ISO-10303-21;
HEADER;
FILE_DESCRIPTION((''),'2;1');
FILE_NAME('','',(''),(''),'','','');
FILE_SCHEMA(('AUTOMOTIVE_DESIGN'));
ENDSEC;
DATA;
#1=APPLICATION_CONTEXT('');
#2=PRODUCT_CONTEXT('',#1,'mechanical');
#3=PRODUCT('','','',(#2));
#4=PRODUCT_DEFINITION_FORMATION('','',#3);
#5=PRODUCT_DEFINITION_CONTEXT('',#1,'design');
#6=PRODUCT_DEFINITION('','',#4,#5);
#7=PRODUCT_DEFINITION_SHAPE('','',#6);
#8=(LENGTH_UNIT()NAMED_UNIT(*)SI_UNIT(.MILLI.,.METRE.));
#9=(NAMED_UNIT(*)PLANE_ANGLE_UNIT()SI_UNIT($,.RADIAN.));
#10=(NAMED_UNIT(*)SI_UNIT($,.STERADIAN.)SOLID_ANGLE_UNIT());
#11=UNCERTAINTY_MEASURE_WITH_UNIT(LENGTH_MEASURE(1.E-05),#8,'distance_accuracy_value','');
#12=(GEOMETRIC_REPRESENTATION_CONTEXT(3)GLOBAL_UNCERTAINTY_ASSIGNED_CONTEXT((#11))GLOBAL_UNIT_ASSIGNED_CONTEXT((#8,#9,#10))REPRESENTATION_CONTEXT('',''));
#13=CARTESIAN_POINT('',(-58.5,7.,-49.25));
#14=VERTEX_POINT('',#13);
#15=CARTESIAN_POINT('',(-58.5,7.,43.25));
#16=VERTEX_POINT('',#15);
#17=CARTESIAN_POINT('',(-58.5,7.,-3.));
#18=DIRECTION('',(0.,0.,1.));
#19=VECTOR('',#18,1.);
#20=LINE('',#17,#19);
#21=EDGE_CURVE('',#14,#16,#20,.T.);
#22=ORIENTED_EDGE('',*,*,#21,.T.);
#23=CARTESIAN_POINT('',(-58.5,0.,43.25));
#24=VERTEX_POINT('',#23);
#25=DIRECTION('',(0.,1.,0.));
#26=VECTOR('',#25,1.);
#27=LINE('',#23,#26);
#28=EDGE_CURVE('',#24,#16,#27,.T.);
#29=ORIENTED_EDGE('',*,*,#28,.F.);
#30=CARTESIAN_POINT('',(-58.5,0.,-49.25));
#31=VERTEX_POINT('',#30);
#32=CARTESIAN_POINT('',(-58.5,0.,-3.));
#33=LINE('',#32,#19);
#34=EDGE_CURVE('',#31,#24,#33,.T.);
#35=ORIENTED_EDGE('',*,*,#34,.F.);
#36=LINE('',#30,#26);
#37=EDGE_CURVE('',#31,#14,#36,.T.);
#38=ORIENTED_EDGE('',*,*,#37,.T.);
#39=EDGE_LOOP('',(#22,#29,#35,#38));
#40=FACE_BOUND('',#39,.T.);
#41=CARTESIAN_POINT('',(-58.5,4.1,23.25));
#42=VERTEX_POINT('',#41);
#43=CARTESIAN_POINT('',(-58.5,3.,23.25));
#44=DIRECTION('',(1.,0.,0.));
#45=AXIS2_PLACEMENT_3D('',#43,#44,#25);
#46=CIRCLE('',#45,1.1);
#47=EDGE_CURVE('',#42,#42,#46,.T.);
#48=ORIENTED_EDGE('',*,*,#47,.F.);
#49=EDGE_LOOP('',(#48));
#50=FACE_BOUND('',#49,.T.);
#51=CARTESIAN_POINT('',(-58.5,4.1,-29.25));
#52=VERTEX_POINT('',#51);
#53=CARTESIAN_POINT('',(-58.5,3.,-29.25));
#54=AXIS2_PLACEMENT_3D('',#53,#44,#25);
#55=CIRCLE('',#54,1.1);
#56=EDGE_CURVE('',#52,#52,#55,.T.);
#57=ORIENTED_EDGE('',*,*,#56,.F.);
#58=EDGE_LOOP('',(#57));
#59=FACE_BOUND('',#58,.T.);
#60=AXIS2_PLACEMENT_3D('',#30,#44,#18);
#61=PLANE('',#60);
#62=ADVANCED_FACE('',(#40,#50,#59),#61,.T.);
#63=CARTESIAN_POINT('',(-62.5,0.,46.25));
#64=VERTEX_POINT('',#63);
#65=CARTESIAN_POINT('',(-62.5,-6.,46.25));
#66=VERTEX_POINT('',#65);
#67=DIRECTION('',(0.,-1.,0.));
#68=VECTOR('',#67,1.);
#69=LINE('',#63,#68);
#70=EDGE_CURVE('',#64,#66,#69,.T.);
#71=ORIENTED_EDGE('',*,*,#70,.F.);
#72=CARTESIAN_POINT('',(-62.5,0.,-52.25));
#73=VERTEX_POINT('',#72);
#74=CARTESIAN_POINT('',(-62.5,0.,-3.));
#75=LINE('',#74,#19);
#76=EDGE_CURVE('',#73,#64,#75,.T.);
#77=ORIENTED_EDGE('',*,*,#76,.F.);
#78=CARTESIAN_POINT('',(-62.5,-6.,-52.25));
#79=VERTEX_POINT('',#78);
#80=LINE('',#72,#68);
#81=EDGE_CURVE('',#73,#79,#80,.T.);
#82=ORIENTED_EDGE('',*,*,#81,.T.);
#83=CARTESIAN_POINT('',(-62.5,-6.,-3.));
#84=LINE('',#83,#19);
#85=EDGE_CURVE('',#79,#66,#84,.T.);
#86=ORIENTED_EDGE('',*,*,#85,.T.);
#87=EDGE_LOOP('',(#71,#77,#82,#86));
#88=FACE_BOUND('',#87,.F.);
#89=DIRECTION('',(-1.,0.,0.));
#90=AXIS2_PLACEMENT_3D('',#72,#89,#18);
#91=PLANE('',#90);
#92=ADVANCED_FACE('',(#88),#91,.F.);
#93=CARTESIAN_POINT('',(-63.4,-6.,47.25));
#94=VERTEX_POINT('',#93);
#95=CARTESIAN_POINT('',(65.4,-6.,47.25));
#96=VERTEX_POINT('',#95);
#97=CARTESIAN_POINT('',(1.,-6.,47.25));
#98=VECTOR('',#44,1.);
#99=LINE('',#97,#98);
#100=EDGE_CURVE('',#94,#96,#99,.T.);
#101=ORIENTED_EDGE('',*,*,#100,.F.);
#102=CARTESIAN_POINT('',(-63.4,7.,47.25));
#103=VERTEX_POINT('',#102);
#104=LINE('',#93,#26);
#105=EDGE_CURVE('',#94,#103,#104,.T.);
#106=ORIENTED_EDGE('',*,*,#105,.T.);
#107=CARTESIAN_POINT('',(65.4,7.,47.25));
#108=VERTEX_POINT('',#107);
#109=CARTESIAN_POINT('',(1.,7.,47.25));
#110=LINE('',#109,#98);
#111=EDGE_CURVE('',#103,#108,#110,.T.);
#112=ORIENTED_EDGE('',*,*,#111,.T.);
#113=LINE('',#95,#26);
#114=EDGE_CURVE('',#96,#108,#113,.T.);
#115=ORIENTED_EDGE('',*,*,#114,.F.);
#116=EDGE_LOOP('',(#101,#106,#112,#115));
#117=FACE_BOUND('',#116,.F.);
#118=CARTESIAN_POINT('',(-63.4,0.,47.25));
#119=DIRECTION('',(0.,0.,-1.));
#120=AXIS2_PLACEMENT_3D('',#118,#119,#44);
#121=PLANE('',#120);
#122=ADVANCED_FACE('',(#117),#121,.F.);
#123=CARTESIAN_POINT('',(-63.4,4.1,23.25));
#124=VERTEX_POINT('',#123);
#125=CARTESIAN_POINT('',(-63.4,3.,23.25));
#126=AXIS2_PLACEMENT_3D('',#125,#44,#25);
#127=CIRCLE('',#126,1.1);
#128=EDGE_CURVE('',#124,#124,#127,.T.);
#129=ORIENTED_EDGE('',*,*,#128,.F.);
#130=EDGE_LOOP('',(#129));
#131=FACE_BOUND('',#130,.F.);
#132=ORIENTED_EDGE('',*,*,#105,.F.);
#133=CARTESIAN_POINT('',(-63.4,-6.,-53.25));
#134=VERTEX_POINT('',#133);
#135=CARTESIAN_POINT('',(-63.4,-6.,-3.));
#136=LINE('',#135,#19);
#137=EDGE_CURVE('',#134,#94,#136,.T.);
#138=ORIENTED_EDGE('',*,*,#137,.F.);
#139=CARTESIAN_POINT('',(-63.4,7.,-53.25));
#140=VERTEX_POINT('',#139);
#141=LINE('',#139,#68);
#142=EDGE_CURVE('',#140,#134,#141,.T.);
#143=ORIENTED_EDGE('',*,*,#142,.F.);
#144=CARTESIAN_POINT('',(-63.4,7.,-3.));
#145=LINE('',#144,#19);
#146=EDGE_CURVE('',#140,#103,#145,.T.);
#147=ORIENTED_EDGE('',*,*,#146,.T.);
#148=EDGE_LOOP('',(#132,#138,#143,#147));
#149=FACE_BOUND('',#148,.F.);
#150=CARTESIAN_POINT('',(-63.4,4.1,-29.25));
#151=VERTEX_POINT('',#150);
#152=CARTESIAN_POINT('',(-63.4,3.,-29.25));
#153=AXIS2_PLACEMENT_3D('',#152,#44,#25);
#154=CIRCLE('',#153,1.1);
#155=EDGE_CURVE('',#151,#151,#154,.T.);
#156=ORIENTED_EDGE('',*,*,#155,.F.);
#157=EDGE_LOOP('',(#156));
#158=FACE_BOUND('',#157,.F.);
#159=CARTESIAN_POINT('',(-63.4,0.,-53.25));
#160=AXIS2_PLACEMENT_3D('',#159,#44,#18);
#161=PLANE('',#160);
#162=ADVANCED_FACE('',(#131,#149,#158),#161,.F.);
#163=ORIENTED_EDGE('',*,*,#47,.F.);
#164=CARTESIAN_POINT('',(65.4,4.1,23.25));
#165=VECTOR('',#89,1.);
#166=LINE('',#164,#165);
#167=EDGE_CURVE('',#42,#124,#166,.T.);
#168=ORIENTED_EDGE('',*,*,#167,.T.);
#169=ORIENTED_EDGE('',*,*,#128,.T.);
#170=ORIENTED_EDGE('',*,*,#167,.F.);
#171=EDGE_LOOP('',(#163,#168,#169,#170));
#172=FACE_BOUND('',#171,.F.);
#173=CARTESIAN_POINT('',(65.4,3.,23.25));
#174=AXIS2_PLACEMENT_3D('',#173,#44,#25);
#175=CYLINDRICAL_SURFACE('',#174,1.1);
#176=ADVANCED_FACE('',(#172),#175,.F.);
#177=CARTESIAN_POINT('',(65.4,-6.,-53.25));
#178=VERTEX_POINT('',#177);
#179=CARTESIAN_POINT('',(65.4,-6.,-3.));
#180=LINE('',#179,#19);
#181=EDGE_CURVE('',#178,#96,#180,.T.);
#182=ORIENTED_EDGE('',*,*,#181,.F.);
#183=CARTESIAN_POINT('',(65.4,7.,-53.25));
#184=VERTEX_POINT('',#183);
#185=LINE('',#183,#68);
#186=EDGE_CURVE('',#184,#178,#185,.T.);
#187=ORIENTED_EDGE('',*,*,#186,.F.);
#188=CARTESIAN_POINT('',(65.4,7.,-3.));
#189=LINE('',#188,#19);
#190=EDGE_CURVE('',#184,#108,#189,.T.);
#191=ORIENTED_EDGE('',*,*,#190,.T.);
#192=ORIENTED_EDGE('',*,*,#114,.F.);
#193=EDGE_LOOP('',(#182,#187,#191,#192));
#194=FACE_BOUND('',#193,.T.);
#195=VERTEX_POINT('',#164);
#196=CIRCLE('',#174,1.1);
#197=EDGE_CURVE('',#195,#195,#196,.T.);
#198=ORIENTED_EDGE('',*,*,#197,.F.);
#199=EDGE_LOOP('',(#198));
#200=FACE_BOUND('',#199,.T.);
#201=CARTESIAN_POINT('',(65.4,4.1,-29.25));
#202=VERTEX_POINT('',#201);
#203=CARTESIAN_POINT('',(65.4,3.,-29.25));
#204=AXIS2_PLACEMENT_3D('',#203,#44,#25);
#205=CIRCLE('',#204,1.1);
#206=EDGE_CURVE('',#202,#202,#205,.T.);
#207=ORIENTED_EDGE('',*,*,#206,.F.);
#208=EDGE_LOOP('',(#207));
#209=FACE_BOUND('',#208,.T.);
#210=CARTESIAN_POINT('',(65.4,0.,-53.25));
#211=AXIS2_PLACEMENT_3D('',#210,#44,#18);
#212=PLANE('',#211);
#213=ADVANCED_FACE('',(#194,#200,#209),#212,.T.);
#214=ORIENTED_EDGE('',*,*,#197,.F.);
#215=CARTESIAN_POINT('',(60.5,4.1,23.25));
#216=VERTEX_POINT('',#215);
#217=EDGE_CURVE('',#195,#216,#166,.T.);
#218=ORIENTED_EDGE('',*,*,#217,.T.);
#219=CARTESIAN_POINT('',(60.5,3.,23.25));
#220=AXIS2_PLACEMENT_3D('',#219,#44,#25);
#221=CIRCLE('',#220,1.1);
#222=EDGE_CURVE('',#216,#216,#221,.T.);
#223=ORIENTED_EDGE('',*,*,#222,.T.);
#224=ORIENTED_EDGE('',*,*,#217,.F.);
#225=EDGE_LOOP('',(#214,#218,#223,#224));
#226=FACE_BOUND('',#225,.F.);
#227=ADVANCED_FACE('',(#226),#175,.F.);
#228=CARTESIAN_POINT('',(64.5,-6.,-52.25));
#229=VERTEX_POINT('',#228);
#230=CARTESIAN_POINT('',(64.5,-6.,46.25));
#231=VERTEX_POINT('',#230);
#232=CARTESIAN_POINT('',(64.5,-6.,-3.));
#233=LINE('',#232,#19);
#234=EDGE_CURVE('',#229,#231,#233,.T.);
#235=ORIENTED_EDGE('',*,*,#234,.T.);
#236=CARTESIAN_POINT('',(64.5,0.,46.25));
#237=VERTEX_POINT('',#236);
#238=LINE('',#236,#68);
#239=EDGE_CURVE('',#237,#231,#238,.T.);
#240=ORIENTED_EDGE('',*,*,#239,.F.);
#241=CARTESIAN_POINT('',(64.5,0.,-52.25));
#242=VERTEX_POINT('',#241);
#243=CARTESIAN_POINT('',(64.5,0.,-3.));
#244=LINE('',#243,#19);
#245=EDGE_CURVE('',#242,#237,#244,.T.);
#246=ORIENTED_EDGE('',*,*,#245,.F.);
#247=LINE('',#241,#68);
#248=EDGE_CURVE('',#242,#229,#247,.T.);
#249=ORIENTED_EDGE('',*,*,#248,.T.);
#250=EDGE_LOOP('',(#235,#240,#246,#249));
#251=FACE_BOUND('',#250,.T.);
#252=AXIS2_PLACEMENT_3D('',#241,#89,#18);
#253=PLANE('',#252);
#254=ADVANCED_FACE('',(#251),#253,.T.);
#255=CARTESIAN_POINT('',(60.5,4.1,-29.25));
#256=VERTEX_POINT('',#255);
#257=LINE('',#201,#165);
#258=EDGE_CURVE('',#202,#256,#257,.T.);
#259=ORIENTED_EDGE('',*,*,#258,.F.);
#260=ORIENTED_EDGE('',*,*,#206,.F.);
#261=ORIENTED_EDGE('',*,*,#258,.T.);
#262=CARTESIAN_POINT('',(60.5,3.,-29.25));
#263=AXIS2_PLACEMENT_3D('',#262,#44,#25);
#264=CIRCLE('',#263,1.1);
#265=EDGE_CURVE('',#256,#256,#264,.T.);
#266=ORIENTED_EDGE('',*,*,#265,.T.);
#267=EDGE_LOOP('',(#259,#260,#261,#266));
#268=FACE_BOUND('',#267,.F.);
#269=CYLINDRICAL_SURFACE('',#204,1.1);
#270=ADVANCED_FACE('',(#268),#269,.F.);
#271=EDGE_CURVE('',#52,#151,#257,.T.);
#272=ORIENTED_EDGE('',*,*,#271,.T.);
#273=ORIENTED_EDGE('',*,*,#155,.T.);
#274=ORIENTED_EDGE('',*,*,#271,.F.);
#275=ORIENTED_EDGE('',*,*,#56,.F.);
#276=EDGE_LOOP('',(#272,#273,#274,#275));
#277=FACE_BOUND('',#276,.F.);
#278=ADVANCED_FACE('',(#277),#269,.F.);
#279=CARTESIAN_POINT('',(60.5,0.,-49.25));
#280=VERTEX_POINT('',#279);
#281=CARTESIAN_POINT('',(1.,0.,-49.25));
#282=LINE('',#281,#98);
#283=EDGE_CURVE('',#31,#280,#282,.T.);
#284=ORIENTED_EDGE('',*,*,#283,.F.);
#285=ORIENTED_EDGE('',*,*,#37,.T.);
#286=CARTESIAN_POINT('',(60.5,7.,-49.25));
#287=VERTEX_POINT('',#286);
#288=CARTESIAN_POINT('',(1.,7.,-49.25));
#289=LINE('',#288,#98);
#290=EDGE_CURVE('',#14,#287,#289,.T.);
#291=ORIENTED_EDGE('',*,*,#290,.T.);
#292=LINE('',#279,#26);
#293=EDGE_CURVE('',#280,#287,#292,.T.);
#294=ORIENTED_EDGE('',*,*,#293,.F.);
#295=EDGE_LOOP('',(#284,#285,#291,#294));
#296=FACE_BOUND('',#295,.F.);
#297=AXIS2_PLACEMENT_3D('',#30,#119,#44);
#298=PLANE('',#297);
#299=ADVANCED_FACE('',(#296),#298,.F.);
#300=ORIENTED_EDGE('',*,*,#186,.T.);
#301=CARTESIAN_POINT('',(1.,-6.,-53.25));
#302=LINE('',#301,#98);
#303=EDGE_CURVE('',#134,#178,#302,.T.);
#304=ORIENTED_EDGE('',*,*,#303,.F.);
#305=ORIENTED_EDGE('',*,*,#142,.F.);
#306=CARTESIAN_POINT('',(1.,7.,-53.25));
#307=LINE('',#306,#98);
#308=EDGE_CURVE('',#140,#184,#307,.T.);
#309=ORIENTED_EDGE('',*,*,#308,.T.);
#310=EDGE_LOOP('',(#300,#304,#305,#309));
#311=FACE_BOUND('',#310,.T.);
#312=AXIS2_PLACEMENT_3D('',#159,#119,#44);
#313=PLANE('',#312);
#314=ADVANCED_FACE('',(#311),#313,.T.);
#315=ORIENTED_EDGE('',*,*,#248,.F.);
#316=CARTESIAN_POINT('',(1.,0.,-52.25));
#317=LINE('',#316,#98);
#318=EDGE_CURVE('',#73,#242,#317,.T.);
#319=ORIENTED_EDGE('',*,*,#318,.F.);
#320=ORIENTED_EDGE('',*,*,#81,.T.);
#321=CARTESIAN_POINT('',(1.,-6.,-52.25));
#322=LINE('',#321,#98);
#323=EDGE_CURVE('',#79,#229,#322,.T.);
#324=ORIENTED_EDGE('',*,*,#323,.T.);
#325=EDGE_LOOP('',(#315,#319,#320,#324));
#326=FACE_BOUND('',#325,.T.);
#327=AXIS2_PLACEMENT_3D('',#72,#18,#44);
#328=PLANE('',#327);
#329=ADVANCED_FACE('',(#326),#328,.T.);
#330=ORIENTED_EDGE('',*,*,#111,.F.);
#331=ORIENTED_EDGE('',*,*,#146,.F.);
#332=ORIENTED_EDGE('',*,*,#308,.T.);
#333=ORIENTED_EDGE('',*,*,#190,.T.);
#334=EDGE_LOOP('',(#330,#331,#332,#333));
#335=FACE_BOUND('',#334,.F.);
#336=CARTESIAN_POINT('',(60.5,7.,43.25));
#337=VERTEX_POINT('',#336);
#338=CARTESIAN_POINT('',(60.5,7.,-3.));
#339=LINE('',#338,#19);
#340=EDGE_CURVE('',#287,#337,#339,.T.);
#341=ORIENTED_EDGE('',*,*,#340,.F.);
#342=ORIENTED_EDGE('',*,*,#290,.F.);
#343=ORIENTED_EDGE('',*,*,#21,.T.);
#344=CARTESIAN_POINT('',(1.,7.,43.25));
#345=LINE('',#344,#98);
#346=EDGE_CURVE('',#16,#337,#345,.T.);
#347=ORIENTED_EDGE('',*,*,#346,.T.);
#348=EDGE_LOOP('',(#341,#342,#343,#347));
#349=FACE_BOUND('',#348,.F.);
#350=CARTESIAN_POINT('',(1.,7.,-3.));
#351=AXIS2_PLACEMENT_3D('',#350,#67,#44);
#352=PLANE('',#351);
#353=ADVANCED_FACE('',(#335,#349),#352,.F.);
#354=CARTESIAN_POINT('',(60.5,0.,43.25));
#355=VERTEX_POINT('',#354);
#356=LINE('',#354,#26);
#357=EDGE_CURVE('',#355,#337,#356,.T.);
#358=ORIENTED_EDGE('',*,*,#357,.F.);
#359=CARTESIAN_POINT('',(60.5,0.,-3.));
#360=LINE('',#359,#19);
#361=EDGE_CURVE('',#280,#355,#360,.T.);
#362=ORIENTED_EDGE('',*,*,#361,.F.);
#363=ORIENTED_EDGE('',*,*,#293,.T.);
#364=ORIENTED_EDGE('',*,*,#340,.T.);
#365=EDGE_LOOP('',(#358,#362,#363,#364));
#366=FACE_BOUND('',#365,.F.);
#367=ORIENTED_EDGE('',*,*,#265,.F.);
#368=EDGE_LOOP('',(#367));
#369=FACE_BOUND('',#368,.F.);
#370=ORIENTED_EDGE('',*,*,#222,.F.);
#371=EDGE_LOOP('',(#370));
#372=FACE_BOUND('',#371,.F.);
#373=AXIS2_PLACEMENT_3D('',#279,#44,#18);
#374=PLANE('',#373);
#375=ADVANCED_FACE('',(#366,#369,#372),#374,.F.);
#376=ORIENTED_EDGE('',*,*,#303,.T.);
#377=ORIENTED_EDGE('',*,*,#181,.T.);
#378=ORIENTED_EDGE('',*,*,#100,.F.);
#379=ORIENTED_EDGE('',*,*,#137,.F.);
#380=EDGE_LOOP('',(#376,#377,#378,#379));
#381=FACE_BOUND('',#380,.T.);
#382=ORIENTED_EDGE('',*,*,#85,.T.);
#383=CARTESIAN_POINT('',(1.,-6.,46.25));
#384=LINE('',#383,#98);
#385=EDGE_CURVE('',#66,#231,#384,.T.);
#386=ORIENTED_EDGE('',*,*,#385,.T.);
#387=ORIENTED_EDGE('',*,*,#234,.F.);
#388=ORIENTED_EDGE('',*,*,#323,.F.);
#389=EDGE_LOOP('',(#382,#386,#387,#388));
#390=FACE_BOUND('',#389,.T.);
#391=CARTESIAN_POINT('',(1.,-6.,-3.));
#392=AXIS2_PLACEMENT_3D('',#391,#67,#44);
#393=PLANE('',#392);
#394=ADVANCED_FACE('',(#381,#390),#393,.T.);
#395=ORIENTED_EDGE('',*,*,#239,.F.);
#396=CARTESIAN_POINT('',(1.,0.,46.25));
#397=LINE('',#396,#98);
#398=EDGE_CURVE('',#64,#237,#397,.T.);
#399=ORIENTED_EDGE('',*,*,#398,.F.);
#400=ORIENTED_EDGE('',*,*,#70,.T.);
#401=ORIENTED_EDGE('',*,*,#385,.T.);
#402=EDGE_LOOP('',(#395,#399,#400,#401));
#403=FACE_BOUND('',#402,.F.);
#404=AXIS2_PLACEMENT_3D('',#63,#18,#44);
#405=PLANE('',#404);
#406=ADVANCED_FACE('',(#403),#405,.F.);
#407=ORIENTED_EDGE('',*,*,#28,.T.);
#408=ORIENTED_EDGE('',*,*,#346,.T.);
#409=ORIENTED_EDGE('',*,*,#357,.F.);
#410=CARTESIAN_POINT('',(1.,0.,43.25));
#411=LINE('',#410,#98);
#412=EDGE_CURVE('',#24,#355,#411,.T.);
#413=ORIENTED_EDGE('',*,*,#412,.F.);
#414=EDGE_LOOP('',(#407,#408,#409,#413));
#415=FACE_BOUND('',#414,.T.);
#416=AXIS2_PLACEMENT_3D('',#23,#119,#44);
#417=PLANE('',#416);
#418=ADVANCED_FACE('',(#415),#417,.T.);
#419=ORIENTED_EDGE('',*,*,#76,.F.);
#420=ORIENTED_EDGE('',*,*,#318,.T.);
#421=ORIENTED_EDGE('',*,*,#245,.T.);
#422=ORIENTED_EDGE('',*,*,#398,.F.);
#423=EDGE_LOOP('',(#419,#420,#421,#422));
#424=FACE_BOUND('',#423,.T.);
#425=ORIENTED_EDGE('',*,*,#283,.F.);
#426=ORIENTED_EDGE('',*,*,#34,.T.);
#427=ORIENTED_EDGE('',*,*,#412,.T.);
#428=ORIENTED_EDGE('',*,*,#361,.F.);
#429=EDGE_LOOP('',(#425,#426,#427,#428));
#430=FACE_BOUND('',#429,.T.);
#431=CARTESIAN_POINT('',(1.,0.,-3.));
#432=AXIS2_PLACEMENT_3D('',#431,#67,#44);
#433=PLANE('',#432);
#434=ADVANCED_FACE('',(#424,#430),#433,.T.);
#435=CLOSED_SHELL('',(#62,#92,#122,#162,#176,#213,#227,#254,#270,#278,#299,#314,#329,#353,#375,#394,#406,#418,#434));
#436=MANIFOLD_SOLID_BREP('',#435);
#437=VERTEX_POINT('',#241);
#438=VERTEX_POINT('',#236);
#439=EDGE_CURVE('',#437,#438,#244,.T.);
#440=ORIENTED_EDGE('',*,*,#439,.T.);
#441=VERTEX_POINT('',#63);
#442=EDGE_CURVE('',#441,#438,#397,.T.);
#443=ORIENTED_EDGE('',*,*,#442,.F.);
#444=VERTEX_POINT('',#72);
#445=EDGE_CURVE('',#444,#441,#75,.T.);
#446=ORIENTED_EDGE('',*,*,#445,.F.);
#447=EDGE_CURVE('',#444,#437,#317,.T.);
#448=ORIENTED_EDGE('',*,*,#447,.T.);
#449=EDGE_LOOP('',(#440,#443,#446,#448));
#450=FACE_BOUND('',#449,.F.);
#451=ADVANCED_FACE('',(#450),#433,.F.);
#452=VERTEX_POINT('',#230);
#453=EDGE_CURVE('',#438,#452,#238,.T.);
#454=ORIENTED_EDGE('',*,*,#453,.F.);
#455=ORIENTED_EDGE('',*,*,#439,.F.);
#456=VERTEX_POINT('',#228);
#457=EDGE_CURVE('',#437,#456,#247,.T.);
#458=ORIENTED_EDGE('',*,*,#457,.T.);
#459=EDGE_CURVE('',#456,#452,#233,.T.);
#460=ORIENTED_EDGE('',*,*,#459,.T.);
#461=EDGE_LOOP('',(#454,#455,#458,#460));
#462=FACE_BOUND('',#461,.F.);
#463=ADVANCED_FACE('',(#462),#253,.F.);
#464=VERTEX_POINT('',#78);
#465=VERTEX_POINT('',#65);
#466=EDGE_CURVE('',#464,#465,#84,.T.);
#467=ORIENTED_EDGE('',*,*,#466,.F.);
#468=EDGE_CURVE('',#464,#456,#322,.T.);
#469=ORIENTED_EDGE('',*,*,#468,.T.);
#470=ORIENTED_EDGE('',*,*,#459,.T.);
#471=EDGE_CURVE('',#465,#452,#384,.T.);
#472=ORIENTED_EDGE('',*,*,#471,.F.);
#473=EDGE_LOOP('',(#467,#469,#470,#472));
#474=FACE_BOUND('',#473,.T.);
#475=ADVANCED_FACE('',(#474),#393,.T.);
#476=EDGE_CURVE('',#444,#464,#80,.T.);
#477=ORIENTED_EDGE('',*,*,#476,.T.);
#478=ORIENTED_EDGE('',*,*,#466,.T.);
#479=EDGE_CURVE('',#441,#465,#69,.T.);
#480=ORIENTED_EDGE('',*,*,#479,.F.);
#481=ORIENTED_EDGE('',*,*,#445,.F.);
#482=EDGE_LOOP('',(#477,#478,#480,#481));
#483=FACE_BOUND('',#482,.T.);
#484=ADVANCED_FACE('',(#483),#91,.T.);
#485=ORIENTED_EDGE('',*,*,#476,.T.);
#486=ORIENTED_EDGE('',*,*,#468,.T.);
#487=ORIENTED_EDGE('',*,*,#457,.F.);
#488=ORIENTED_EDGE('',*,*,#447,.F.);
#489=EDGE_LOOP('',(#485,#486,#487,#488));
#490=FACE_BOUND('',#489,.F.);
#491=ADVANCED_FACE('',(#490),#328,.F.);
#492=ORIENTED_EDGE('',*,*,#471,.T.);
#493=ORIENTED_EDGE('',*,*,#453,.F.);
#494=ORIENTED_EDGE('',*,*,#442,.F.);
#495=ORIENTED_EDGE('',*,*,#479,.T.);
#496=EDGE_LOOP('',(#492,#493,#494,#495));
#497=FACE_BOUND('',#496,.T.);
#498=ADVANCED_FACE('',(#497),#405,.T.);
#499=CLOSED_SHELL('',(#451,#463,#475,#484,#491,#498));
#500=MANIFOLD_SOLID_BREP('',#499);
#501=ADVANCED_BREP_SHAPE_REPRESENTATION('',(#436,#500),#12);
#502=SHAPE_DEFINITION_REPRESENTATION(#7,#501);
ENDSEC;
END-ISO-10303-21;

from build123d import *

# Parameters (mm, degrees)
F1_W     = 128.8
F1_H     = 100.5
F1_W_2   = 127
F1_H_2   = 98.5
F2_DEPTH = 6
F3_W     = 128.8
F3_H     = 100.5
F3_W_2   = 119
F3_H_2   = 92.5
F4_DEPTH = 7
F5_R     = 1.1
F6_DEPTH = 128.801
F7_W     = 127
F7_H     = 98.5
F8_DEPTH = 6


with BuildPart() as f2:
    # F1 (on Front) → F2 (new body)
    with BuildSketch(Plane.XZ):
        with Locations((1, -3)):
            Rectangle(F1_W, F1_H)
        with Locations((1, -3)):
            Rectangle(F1_W_2, F1_H_2, mode=Mode.SUBTRACT)
    extrude(amount=F2_DEPTH)

    # F3 (on Front) → F4 (join)
    with BuildSketch(Plane.XZ):
        with Locations((1, -3)):
            Rectangle(F3_W, F3_H)
        with Locations((1, -3)):
            Rectangle(F3_W_2, F3_H_2, mode=Mode.SUBTRACT)
    extrude(amount=-F4_DEPTH)

    # F5 (on face) → F6 (cut, through all)
    with BuildSketch(Plane.YZ.offset(65.4)):
        with Locations((3, -29.25)):
            Circle(F5_R)
        with Locations((3, 23.25)):
            Circle(F5_R)
    extrude(amount=-F6_DEPTH, mode=Mode.SUBTRACT)


with BuildPart() as f8:
    # F7 (on face) → F8 (new body)
    with BuildSketch(Plane.XZ):
        with Locations((1, -3)):
            Rectangle(F7_W, F7_H)
    extrude(amount=F8_DEPTH)


solid = Compound([f2.part, f8.part])
